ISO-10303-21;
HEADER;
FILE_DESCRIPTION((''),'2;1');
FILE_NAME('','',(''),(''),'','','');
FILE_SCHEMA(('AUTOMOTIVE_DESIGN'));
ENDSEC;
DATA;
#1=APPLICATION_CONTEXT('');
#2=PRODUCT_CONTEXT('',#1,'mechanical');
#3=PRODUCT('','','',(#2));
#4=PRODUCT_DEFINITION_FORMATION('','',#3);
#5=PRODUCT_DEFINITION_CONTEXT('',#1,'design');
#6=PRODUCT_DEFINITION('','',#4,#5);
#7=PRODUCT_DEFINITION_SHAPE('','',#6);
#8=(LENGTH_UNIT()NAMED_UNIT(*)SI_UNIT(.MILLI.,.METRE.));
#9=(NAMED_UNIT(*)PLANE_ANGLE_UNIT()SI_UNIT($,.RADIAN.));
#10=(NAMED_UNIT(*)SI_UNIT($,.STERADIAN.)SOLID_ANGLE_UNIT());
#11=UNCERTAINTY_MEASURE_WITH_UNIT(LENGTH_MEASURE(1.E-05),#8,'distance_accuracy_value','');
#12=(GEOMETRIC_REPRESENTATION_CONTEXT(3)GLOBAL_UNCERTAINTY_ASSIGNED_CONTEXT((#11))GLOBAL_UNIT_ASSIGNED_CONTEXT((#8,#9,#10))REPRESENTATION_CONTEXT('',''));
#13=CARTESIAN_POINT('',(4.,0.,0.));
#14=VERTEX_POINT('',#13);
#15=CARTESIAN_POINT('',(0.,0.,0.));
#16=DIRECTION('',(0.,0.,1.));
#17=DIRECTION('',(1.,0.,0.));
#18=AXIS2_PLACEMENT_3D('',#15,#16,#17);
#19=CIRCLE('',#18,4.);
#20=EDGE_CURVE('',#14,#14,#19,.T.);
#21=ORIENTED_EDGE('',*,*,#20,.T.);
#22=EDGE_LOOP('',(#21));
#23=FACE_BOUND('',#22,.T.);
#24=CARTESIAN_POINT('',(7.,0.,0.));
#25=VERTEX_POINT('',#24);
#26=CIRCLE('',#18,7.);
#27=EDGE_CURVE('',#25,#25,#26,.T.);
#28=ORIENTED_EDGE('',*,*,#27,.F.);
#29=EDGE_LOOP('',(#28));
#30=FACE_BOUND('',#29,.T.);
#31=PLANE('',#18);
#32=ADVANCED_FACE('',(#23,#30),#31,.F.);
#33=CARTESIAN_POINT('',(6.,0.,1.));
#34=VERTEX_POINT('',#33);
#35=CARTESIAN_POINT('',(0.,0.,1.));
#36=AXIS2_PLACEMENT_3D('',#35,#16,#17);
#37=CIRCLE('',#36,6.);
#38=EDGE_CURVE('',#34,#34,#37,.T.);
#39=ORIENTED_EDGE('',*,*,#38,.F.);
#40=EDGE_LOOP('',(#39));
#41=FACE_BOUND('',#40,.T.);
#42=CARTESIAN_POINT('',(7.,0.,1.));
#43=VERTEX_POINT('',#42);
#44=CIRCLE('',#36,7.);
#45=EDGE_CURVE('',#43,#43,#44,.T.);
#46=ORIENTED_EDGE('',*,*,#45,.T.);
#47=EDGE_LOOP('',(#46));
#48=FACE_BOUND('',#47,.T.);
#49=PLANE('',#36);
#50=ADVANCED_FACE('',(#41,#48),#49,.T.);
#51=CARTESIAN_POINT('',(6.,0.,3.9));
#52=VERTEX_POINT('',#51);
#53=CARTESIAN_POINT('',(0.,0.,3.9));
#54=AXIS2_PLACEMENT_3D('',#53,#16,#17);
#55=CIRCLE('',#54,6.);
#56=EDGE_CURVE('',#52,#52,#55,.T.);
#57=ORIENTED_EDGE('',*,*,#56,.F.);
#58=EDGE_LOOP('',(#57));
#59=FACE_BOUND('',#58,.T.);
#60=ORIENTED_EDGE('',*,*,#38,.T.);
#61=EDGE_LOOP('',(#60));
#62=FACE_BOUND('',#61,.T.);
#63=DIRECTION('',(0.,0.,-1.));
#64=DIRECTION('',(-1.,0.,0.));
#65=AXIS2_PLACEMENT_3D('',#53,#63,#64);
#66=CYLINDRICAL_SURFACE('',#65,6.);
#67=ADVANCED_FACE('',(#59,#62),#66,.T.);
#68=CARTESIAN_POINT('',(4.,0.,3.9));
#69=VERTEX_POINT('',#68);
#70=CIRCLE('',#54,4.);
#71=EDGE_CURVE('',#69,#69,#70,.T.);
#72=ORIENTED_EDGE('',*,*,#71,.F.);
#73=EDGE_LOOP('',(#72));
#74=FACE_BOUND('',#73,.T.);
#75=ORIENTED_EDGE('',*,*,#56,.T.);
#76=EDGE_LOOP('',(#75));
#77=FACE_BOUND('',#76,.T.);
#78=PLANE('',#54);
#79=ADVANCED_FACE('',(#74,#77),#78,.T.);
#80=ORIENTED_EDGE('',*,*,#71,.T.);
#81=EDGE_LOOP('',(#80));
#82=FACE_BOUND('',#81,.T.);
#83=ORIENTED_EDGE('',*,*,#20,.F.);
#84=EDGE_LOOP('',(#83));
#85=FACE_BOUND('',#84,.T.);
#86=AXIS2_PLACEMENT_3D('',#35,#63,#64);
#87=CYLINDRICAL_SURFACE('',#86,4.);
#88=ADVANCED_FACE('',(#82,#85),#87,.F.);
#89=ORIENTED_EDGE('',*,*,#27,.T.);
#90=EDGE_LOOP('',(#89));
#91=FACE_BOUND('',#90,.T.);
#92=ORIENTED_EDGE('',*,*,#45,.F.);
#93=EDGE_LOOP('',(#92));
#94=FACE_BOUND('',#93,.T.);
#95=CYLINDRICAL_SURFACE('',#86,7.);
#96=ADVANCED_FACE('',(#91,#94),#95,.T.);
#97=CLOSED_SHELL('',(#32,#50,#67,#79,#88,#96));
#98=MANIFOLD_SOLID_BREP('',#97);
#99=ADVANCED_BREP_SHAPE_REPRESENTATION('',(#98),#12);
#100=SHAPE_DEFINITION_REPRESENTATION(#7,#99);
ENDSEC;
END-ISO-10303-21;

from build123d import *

# Parameters (mm, degrees)
SKETCH_2_R      = 7
SKETCH_2_R_2    = 4
EXTRUDE_1_DEPTH = 1
SKETCH_3_R      = 6
SKETCH_3_R_2    = 4
EXTRUDE_2_DEPTH = 2.9


with BuildPart() as part:
    # ｽｹｯﾁ2 → ﾎﾞｽ - 押し出し1 (new body)
    with BuildSketch(Plane.XY):
        Circle(SKETCH_2_R)
        Circle(SKETCH_2_R_2, mode=Mode.SUBTRACT)
    extrude(amount=EXTRUDE_1_DEPTH)

    # ｽｹｯﾁ3 → ﾎﾞｽ - 押し出し2 (add)
    with BuildSketch(Plane.XY.offset(1)):
        Circle(SKETCH_3_R)
        Circle(SKETCH_3_R_2, mode=Mode.SUBTRACT)
    extrude(amount=EXTRUDE_2_DEPTH)


solid = part.part
